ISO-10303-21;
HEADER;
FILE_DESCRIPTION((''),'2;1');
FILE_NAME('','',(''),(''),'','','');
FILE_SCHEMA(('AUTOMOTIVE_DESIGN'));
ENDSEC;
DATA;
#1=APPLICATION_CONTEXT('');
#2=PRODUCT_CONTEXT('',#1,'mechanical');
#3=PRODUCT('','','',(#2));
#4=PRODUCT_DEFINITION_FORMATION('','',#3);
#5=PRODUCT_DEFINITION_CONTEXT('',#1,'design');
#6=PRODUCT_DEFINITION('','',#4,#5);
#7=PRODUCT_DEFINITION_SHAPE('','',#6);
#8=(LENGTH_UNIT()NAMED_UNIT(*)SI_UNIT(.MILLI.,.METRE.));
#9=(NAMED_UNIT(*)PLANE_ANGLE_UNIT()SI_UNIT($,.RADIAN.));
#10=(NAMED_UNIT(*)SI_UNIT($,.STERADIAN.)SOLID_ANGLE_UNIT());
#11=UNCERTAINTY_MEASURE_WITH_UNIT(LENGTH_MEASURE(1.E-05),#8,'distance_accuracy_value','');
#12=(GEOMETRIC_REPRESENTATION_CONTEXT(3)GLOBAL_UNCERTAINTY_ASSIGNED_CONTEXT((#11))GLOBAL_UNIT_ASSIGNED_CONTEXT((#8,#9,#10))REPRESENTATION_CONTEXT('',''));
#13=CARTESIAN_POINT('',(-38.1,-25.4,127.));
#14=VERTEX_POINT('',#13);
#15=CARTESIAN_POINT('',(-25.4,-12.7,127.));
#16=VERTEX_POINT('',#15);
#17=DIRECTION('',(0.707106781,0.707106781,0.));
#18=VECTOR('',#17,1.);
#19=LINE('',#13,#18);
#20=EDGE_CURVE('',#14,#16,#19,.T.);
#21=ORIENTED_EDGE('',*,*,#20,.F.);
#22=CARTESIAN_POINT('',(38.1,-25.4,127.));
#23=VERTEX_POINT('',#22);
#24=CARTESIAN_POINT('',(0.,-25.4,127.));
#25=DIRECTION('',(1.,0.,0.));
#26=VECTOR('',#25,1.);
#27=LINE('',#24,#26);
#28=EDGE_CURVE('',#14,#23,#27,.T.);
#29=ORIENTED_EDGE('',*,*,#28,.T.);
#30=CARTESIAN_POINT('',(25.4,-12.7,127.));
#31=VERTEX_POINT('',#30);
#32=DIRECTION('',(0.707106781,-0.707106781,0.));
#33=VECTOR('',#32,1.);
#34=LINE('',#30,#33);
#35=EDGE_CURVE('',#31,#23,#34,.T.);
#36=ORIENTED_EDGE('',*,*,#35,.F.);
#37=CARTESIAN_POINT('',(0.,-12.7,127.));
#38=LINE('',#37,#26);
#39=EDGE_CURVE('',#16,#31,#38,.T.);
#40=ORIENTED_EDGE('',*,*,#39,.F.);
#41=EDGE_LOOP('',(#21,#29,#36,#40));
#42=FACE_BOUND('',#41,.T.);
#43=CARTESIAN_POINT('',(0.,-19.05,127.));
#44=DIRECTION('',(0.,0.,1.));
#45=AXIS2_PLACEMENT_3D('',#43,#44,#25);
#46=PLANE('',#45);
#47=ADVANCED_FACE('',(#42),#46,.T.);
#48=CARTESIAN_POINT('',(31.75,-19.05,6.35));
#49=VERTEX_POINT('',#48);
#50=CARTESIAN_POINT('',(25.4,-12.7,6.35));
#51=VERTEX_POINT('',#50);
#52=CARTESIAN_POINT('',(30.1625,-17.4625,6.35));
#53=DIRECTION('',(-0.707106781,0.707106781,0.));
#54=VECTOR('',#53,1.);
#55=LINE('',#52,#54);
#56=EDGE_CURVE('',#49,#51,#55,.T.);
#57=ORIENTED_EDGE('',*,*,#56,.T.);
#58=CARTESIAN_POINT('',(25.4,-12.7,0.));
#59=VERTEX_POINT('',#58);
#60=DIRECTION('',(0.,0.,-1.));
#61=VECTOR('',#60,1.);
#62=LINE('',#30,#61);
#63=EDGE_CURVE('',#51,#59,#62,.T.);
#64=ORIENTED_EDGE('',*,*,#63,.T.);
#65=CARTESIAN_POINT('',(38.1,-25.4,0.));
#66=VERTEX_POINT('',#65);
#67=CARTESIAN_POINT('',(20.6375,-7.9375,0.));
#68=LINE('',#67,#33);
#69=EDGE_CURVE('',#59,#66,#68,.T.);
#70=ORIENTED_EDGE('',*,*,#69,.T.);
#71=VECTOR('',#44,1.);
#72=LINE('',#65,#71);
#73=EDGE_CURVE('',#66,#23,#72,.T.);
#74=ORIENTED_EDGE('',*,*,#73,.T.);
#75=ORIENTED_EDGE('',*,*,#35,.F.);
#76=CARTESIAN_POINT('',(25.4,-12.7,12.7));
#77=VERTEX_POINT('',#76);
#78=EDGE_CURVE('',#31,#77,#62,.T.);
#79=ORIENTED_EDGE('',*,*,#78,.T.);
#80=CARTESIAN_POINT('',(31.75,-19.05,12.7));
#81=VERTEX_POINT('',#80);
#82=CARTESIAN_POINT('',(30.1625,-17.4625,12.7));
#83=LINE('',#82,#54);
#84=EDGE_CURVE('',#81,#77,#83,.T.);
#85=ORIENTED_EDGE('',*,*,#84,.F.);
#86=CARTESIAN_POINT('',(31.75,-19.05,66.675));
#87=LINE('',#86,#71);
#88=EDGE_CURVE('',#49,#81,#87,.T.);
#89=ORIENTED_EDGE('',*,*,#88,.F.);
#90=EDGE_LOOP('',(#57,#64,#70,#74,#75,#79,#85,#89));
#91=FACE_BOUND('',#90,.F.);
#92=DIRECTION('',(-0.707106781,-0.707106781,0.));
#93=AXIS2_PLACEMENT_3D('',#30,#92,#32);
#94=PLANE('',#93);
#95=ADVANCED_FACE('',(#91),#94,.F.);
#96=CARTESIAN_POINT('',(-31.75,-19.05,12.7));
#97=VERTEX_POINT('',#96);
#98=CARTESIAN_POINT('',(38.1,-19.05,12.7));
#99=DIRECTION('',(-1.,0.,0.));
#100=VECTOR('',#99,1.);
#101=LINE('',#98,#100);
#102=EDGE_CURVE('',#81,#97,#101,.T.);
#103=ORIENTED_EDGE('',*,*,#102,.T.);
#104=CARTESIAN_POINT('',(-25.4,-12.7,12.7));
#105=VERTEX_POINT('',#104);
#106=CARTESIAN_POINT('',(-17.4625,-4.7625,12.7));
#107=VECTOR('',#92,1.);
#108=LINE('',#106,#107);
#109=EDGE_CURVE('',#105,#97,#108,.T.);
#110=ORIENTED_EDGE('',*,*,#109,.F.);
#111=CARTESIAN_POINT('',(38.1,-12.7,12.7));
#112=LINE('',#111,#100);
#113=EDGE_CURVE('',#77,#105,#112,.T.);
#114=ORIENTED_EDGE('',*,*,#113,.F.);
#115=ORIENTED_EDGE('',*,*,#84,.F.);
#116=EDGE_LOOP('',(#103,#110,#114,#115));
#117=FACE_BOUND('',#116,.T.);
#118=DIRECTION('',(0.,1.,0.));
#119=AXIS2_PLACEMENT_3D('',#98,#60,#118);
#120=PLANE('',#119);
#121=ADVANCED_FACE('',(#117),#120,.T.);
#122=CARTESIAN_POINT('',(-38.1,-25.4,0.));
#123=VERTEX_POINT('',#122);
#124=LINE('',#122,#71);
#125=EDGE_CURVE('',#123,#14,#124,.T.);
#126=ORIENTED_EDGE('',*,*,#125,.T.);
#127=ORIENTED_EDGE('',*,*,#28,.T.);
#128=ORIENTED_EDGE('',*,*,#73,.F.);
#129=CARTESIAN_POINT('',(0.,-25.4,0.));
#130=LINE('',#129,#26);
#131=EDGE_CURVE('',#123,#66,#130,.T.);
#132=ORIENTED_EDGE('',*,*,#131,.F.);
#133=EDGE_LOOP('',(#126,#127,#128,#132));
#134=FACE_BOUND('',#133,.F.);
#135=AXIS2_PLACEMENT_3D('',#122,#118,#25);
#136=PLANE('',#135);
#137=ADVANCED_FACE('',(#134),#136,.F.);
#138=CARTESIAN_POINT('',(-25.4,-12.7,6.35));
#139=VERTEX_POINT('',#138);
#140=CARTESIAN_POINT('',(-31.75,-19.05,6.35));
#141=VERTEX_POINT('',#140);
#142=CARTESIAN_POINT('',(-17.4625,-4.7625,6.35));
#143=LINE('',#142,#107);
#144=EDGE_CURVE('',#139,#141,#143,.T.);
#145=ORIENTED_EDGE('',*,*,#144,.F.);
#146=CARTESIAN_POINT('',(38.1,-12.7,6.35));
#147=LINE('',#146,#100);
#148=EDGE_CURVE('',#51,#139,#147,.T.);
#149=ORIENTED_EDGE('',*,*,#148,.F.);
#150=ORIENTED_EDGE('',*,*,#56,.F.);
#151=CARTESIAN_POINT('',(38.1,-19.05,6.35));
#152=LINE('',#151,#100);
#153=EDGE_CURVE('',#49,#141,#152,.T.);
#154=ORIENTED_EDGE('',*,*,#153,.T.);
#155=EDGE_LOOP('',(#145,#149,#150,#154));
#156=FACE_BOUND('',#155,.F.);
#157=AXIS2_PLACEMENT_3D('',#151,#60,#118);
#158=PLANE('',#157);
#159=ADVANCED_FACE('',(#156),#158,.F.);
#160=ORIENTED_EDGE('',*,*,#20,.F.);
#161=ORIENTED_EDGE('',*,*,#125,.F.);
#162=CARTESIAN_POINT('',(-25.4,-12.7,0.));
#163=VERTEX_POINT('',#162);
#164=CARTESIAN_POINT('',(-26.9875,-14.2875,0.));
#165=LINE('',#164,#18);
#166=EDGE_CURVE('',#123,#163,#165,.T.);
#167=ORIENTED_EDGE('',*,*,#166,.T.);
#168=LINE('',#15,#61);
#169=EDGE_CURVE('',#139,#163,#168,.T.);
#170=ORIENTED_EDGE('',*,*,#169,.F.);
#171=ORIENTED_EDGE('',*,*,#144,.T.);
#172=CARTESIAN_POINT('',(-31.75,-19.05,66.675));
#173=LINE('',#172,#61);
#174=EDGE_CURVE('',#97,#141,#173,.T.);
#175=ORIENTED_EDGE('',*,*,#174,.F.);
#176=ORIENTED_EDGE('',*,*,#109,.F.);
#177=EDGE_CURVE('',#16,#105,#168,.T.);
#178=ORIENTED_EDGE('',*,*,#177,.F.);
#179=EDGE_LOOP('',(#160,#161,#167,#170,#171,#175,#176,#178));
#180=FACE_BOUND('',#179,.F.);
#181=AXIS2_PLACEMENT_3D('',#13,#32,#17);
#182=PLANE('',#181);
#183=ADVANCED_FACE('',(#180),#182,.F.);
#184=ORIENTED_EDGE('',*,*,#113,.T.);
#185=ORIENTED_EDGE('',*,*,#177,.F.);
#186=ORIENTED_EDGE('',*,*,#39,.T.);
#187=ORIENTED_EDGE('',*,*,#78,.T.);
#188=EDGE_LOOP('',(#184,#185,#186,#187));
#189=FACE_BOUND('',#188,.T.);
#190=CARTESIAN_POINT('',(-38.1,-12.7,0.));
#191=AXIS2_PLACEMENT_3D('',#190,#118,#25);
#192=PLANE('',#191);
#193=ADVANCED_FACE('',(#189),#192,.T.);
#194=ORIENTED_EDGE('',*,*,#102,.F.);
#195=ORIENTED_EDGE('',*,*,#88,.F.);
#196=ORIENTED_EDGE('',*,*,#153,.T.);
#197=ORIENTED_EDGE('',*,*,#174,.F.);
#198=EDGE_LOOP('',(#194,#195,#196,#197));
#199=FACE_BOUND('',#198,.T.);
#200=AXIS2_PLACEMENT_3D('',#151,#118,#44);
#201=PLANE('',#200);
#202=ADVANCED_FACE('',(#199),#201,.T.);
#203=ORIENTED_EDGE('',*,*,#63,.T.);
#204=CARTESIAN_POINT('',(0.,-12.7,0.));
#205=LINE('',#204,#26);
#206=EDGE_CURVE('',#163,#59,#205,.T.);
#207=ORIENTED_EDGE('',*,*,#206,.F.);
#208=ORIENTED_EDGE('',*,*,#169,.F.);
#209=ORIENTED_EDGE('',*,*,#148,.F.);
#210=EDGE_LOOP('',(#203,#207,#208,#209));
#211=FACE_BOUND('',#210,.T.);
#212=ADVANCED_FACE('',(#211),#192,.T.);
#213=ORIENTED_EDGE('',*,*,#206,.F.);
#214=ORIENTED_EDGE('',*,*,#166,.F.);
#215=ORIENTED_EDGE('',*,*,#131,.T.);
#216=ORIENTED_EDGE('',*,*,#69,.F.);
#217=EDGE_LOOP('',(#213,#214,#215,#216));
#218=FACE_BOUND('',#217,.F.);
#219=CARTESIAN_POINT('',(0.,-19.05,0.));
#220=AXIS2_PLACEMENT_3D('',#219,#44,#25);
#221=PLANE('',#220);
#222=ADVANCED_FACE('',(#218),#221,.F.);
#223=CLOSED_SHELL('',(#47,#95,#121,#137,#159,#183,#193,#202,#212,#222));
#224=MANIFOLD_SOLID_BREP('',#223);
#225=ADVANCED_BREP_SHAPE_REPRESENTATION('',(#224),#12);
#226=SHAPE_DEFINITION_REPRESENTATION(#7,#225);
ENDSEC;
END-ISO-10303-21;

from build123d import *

# Parameters (mm, degrees)
F0_W     = 76.2
F0_H     = 12.7
F1_DEPTH = 127
F2_W     = 6.35
F2_H     = 6.35
F3_DEPTH = 76.2
F5_DEPTH = 127.001


with BuildPart() as f1:
    # F0 (on Top) → F1 (new body)
    with BuildSketch(Plane.XY):
        with Locations((0, -19.05)):
            Rectangle(F0_W, F0_H)
    extrude(amount=F1_DEPTH)

    # F2 (on face) → F3 (cut, through all)
    with BuildSketch(Plane.YZ.offset(38.1)):
        with Locations((-15.875, 9.525)):
            Rectangle(F2_W, F2_H)
    extrude(amount=-F3_DEPTH, mode=Mode.SUBTRACT)

    # F4 (on face) → F5 (cut, through all)
    with BuildSketch(Plane.XY.offset(127)):
        Polygon((-38.1, -12.7), (-38.1, -25.4), (-25.4, -12.7), align=None)
        Polygon((25.4, -12.7), (38.1, -25.4), (38.1, -12.7), align=None)
    extrude(amount=-F5_DEPTH, mode=Mode.SUBTRACT)


solid = f1.part
